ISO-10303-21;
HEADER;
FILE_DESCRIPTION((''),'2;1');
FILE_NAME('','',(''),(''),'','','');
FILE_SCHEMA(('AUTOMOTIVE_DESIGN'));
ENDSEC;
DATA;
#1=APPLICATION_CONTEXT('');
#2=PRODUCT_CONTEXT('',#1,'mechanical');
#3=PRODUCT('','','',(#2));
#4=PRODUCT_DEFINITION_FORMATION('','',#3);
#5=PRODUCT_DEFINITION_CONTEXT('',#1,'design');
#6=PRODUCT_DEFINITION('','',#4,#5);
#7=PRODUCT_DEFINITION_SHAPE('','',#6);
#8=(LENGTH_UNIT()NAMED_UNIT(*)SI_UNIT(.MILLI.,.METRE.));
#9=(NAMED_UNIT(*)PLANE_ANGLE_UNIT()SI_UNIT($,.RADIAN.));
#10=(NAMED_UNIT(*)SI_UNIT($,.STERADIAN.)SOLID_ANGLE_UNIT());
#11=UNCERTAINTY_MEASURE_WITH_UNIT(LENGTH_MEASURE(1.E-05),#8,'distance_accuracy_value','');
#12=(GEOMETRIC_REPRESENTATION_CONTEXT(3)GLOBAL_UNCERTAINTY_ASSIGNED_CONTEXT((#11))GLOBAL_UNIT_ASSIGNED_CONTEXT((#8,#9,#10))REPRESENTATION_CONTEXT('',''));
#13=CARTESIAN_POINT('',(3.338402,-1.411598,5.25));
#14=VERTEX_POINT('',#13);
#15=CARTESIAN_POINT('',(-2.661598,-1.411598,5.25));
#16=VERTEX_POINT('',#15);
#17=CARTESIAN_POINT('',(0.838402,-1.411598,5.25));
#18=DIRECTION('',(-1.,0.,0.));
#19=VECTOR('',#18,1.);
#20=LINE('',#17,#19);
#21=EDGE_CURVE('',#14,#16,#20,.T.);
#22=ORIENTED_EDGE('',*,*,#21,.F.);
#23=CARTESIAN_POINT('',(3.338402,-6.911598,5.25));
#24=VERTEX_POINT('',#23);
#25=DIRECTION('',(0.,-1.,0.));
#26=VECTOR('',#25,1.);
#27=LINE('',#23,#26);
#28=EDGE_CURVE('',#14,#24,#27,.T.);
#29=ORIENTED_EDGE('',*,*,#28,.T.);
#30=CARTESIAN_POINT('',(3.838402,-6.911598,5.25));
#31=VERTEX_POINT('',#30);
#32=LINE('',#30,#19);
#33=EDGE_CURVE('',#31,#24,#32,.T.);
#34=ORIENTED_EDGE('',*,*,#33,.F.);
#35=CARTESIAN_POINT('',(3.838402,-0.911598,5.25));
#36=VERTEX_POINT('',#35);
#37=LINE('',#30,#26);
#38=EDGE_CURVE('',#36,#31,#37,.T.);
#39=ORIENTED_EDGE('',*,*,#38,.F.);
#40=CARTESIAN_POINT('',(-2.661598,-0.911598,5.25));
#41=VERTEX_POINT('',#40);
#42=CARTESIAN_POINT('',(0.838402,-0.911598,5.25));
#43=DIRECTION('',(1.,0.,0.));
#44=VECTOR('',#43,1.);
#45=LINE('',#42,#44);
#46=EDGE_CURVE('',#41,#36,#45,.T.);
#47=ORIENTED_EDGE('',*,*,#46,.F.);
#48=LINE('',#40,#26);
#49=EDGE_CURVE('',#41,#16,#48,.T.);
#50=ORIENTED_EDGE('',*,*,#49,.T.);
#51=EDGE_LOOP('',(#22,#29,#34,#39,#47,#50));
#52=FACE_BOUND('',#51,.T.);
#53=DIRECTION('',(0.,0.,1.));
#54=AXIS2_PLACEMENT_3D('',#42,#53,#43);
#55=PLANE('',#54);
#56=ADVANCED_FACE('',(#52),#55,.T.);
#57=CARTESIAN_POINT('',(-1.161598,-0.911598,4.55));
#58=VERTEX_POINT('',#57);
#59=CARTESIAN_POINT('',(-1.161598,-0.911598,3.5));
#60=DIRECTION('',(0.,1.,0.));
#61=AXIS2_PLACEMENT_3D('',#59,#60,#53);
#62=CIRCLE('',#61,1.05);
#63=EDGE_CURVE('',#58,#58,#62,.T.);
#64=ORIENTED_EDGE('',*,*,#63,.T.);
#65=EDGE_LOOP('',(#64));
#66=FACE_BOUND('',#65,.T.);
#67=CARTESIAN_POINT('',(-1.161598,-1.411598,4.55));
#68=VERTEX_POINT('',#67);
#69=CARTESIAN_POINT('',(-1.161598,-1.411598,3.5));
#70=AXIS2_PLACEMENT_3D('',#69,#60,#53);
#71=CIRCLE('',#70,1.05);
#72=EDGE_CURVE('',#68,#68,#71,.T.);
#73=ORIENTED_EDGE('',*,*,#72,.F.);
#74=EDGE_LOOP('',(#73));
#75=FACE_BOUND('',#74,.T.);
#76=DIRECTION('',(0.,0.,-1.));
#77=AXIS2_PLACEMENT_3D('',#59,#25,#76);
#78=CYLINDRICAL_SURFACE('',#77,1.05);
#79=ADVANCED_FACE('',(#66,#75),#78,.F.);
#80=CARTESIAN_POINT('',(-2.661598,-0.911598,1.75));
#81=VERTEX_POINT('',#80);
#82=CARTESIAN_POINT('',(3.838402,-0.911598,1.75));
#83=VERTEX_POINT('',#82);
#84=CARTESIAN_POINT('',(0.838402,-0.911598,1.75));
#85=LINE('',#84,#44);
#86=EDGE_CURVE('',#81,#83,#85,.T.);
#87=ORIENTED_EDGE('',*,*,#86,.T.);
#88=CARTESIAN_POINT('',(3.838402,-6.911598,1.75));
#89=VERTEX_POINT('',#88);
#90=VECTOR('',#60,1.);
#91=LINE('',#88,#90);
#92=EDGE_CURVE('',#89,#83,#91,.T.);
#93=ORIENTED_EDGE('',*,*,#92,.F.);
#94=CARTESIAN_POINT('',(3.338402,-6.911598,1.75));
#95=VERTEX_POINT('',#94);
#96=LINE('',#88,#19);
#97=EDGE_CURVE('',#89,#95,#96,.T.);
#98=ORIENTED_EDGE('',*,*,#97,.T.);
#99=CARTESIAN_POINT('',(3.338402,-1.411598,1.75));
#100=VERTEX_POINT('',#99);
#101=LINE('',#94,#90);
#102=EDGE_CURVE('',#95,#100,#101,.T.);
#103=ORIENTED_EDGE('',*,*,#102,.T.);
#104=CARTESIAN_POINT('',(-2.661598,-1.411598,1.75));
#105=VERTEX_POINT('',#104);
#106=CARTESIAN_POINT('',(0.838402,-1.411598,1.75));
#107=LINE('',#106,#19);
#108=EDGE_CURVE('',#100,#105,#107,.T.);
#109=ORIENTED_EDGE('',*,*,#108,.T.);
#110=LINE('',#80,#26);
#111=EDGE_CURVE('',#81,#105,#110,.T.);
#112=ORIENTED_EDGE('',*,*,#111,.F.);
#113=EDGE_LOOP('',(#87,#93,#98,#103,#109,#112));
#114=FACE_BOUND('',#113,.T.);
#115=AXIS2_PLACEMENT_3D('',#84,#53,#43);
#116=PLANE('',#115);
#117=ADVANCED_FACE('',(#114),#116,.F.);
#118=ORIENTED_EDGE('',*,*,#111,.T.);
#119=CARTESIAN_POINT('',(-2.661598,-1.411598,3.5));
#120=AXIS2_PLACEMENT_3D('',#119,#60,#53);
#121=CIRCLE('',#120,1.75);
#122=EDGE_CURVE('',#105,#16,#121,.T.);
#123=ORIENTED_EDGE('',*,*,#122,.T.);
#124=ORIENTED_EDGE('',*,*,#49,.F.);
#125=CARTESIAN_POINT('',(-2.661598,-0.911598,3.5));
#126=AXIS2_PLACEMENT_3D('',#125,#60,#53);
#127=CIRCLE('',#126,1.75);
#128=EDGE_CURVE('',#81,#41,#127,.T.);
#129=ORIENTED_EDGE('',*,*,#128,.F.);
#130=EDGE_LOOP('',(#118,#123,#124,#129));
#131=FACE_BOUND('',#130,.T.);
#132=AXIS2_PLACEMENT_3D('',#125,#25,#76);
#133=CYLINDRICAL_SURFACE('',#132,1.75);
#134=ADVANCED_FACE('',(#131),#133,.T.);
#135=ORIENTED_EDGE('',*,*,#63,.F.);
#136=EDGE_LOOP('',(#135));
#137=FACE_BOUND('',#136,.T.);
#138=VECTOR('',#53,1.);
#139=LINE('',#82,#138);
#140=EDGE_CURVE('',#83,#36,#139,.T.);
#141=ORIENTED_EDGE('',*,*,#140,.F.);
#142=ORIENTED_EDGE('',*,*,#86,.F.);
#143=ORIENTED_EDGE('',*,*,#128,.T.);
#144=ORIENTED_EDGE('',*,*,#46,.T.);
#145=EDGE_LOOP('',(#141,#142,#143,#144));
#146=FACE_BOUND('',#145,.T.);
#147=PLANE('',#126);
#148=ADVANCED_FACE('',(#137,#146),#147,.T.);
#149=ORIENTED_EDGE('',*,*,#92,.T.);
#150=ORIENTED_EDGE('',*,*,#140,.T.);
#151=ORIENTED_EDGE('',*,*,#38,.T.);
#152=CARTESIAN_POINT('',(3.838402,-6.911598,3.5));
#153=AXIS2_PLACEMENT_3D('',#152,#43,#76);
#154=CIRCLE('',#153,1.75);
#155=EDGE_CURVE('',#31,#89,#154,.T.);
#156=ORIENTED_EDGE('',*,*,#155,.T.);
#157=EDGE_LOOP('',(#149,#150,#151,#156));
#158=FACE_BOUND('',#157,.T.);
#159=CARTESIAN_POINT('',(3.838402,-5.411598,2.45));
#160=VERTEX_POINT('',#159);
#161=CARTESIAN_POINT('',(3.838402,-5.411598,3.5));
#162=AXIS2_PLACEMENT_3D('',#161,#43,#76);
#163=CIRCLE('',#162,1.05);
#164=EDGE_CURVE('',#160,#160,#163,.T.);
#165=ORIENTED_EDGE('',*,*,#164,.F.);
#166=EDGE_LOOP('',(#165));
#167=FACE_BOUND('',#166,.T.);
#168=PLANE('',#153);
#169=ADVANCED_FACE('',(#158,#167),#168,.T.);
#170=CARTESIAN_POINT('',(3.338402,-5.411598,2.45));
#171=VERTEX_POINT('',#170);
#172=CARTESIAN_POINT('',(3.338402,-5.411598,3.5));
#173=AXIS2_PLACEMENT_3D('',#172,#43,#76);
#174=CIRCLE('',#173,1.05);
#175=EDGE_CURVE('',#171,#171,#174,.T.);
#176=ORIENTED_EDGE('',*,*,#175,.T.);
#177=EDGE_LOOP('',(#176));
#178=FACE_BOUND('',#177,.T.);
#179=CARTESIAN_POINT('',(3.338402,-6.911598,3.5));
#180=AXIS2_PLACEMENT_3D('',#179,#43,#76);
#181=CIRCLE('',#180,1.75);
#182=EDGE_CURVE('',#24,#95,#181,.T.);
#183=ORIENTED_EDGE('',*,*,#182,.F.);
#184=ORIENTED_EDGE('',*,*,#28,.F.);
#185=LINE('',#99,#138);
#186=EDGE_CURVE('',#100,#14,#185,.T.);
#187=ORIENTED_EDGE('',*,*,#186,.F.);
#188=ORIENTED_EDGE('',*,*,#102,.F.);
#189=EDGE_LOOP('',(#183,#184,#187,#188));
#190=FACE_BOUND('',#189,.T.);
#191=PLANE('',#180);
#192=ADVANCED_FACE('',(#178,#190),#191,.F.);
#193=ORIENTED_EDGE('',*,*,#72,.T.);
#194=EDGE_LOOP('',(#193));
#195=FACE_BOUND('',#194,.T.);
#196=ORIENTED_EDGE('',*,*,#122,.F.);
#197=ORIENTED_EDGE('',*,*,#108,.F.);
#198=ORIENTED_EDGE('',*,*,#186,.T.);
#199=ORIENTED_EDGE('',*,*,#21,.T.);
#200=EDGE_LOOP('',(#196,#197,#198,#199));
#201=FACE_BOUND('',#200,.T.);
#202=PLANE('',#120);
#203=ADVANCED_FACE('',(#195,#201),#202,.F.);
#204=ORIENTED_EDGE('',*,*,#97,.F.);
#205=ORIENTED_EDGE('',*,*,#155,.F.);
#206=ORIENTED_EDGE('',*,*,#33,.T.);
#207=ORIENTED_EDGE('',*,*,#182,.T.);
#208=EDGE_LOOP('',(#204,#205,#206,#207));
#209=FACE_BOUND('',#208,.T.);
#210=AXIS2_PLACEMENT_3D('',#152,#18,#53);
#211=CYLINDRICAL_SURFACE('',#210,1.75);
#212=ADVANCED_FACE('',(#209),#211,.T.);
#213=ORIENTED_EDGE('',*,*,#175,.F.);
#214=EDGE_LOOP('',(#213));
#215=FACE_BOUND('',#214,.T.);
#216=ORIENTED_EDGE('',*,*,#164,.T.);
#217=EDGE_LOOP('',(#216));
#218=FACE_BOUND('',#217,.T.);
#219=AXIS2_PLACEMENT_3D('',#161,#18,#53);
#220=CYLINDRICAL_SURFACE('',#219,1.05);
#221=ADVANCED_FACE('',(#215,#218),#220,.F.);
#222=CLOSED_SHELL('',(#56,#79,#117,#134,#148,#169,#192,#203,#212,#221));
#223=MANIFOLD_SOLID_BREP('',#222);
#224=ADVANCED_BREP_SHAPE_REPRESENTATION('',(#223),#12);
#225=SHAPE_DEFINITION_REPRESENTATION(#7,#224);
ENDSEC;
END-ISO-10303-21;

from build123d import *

# Parameters (mm, degrees)
SKETCH_1_R      = 2.1
EXTRUDE_1_DEPTH = 1
SKETCH_2_R      = 2.1
EXTRUDE_2_DEPTH = 1
SCALE_2_SCALE   = 0.5
SCALE_1_SCALE   = 0.5
SCALE_3_SCALE   = 2


with BuildPart() as part:
    # Эскиз1 → Бобышка-Вытянуть1 (new body)
    with BuildSketch(Plane(origin=(0, 0, 0), x_dir=(1, 0, 0), z_dir=(0, 1, 0))):
        with BuildLine():
            Line((0, -7), (-7, -7))
            ThreePointArc((-7, -7), (-10.5, -3.5), (-7, 0))
            Line((-7, 0), (0, 0))
            Line((0, 0), (5, 0))
            Line((5, 0), (5, -7))
            Line((5, -7), (0, -7))
        make_face()
        with Locations(Location((-4, -3.5, 0), (0, 0, 270))):
            Circle(SKETCH_1_R, mode=Mode.SUBTRACT)
    extrude(amount=EXTRUDE_1_DEPTH)

    # Эскиз2 → Бобышка-Вытянуть2 (add)
    with BuildSketch(Plane(origin=(5, 0, 0), x_dir=(0, 0, -1), z_dir=(1, 0, 0))):
        with BuildLine():
            Line((0, -11), (0, 1))
            Line((0, 1), (-7, 1))
            Line((-7, 1), (-7, -11))
            ThreePointArc((-7, -11), (-3.5, -14.5), (0, -11))
        make_face()
        with Locations((-3.5, -8)):
            Circle(SKETCH_2_R, mode=Mode.SUBTRACT)
    extrude(amount=EXTRUDE_2_DEPTH)


with BuildPart() as part_1:
    # Масштаб2: scaled about (1.676803453, -2.823196547, 3.5)
    add(part.part.scale(SCALE_2_SCALE).moved(Location((0.838401726, -1.411598273, 1.75))))


with BuildPart() as part_2:
    # Масштаб1: scaled about (1.676803453, -2.823196547, 3.5)
    add(part_1.part.scale(SCALE_1_SCALE).moved(Location((0.838401726, -1.411598273, 1.75))))


with BuildPart() as part_3:
    # Масштаб3: scaled about (1.676803453, -2.823196547, 3.5)
    add(part_2.part.scale(SCALE_3_SCALE).moved(Location((-1.676803453, 2.823196547, -3.5))))


solid = part_3.part
